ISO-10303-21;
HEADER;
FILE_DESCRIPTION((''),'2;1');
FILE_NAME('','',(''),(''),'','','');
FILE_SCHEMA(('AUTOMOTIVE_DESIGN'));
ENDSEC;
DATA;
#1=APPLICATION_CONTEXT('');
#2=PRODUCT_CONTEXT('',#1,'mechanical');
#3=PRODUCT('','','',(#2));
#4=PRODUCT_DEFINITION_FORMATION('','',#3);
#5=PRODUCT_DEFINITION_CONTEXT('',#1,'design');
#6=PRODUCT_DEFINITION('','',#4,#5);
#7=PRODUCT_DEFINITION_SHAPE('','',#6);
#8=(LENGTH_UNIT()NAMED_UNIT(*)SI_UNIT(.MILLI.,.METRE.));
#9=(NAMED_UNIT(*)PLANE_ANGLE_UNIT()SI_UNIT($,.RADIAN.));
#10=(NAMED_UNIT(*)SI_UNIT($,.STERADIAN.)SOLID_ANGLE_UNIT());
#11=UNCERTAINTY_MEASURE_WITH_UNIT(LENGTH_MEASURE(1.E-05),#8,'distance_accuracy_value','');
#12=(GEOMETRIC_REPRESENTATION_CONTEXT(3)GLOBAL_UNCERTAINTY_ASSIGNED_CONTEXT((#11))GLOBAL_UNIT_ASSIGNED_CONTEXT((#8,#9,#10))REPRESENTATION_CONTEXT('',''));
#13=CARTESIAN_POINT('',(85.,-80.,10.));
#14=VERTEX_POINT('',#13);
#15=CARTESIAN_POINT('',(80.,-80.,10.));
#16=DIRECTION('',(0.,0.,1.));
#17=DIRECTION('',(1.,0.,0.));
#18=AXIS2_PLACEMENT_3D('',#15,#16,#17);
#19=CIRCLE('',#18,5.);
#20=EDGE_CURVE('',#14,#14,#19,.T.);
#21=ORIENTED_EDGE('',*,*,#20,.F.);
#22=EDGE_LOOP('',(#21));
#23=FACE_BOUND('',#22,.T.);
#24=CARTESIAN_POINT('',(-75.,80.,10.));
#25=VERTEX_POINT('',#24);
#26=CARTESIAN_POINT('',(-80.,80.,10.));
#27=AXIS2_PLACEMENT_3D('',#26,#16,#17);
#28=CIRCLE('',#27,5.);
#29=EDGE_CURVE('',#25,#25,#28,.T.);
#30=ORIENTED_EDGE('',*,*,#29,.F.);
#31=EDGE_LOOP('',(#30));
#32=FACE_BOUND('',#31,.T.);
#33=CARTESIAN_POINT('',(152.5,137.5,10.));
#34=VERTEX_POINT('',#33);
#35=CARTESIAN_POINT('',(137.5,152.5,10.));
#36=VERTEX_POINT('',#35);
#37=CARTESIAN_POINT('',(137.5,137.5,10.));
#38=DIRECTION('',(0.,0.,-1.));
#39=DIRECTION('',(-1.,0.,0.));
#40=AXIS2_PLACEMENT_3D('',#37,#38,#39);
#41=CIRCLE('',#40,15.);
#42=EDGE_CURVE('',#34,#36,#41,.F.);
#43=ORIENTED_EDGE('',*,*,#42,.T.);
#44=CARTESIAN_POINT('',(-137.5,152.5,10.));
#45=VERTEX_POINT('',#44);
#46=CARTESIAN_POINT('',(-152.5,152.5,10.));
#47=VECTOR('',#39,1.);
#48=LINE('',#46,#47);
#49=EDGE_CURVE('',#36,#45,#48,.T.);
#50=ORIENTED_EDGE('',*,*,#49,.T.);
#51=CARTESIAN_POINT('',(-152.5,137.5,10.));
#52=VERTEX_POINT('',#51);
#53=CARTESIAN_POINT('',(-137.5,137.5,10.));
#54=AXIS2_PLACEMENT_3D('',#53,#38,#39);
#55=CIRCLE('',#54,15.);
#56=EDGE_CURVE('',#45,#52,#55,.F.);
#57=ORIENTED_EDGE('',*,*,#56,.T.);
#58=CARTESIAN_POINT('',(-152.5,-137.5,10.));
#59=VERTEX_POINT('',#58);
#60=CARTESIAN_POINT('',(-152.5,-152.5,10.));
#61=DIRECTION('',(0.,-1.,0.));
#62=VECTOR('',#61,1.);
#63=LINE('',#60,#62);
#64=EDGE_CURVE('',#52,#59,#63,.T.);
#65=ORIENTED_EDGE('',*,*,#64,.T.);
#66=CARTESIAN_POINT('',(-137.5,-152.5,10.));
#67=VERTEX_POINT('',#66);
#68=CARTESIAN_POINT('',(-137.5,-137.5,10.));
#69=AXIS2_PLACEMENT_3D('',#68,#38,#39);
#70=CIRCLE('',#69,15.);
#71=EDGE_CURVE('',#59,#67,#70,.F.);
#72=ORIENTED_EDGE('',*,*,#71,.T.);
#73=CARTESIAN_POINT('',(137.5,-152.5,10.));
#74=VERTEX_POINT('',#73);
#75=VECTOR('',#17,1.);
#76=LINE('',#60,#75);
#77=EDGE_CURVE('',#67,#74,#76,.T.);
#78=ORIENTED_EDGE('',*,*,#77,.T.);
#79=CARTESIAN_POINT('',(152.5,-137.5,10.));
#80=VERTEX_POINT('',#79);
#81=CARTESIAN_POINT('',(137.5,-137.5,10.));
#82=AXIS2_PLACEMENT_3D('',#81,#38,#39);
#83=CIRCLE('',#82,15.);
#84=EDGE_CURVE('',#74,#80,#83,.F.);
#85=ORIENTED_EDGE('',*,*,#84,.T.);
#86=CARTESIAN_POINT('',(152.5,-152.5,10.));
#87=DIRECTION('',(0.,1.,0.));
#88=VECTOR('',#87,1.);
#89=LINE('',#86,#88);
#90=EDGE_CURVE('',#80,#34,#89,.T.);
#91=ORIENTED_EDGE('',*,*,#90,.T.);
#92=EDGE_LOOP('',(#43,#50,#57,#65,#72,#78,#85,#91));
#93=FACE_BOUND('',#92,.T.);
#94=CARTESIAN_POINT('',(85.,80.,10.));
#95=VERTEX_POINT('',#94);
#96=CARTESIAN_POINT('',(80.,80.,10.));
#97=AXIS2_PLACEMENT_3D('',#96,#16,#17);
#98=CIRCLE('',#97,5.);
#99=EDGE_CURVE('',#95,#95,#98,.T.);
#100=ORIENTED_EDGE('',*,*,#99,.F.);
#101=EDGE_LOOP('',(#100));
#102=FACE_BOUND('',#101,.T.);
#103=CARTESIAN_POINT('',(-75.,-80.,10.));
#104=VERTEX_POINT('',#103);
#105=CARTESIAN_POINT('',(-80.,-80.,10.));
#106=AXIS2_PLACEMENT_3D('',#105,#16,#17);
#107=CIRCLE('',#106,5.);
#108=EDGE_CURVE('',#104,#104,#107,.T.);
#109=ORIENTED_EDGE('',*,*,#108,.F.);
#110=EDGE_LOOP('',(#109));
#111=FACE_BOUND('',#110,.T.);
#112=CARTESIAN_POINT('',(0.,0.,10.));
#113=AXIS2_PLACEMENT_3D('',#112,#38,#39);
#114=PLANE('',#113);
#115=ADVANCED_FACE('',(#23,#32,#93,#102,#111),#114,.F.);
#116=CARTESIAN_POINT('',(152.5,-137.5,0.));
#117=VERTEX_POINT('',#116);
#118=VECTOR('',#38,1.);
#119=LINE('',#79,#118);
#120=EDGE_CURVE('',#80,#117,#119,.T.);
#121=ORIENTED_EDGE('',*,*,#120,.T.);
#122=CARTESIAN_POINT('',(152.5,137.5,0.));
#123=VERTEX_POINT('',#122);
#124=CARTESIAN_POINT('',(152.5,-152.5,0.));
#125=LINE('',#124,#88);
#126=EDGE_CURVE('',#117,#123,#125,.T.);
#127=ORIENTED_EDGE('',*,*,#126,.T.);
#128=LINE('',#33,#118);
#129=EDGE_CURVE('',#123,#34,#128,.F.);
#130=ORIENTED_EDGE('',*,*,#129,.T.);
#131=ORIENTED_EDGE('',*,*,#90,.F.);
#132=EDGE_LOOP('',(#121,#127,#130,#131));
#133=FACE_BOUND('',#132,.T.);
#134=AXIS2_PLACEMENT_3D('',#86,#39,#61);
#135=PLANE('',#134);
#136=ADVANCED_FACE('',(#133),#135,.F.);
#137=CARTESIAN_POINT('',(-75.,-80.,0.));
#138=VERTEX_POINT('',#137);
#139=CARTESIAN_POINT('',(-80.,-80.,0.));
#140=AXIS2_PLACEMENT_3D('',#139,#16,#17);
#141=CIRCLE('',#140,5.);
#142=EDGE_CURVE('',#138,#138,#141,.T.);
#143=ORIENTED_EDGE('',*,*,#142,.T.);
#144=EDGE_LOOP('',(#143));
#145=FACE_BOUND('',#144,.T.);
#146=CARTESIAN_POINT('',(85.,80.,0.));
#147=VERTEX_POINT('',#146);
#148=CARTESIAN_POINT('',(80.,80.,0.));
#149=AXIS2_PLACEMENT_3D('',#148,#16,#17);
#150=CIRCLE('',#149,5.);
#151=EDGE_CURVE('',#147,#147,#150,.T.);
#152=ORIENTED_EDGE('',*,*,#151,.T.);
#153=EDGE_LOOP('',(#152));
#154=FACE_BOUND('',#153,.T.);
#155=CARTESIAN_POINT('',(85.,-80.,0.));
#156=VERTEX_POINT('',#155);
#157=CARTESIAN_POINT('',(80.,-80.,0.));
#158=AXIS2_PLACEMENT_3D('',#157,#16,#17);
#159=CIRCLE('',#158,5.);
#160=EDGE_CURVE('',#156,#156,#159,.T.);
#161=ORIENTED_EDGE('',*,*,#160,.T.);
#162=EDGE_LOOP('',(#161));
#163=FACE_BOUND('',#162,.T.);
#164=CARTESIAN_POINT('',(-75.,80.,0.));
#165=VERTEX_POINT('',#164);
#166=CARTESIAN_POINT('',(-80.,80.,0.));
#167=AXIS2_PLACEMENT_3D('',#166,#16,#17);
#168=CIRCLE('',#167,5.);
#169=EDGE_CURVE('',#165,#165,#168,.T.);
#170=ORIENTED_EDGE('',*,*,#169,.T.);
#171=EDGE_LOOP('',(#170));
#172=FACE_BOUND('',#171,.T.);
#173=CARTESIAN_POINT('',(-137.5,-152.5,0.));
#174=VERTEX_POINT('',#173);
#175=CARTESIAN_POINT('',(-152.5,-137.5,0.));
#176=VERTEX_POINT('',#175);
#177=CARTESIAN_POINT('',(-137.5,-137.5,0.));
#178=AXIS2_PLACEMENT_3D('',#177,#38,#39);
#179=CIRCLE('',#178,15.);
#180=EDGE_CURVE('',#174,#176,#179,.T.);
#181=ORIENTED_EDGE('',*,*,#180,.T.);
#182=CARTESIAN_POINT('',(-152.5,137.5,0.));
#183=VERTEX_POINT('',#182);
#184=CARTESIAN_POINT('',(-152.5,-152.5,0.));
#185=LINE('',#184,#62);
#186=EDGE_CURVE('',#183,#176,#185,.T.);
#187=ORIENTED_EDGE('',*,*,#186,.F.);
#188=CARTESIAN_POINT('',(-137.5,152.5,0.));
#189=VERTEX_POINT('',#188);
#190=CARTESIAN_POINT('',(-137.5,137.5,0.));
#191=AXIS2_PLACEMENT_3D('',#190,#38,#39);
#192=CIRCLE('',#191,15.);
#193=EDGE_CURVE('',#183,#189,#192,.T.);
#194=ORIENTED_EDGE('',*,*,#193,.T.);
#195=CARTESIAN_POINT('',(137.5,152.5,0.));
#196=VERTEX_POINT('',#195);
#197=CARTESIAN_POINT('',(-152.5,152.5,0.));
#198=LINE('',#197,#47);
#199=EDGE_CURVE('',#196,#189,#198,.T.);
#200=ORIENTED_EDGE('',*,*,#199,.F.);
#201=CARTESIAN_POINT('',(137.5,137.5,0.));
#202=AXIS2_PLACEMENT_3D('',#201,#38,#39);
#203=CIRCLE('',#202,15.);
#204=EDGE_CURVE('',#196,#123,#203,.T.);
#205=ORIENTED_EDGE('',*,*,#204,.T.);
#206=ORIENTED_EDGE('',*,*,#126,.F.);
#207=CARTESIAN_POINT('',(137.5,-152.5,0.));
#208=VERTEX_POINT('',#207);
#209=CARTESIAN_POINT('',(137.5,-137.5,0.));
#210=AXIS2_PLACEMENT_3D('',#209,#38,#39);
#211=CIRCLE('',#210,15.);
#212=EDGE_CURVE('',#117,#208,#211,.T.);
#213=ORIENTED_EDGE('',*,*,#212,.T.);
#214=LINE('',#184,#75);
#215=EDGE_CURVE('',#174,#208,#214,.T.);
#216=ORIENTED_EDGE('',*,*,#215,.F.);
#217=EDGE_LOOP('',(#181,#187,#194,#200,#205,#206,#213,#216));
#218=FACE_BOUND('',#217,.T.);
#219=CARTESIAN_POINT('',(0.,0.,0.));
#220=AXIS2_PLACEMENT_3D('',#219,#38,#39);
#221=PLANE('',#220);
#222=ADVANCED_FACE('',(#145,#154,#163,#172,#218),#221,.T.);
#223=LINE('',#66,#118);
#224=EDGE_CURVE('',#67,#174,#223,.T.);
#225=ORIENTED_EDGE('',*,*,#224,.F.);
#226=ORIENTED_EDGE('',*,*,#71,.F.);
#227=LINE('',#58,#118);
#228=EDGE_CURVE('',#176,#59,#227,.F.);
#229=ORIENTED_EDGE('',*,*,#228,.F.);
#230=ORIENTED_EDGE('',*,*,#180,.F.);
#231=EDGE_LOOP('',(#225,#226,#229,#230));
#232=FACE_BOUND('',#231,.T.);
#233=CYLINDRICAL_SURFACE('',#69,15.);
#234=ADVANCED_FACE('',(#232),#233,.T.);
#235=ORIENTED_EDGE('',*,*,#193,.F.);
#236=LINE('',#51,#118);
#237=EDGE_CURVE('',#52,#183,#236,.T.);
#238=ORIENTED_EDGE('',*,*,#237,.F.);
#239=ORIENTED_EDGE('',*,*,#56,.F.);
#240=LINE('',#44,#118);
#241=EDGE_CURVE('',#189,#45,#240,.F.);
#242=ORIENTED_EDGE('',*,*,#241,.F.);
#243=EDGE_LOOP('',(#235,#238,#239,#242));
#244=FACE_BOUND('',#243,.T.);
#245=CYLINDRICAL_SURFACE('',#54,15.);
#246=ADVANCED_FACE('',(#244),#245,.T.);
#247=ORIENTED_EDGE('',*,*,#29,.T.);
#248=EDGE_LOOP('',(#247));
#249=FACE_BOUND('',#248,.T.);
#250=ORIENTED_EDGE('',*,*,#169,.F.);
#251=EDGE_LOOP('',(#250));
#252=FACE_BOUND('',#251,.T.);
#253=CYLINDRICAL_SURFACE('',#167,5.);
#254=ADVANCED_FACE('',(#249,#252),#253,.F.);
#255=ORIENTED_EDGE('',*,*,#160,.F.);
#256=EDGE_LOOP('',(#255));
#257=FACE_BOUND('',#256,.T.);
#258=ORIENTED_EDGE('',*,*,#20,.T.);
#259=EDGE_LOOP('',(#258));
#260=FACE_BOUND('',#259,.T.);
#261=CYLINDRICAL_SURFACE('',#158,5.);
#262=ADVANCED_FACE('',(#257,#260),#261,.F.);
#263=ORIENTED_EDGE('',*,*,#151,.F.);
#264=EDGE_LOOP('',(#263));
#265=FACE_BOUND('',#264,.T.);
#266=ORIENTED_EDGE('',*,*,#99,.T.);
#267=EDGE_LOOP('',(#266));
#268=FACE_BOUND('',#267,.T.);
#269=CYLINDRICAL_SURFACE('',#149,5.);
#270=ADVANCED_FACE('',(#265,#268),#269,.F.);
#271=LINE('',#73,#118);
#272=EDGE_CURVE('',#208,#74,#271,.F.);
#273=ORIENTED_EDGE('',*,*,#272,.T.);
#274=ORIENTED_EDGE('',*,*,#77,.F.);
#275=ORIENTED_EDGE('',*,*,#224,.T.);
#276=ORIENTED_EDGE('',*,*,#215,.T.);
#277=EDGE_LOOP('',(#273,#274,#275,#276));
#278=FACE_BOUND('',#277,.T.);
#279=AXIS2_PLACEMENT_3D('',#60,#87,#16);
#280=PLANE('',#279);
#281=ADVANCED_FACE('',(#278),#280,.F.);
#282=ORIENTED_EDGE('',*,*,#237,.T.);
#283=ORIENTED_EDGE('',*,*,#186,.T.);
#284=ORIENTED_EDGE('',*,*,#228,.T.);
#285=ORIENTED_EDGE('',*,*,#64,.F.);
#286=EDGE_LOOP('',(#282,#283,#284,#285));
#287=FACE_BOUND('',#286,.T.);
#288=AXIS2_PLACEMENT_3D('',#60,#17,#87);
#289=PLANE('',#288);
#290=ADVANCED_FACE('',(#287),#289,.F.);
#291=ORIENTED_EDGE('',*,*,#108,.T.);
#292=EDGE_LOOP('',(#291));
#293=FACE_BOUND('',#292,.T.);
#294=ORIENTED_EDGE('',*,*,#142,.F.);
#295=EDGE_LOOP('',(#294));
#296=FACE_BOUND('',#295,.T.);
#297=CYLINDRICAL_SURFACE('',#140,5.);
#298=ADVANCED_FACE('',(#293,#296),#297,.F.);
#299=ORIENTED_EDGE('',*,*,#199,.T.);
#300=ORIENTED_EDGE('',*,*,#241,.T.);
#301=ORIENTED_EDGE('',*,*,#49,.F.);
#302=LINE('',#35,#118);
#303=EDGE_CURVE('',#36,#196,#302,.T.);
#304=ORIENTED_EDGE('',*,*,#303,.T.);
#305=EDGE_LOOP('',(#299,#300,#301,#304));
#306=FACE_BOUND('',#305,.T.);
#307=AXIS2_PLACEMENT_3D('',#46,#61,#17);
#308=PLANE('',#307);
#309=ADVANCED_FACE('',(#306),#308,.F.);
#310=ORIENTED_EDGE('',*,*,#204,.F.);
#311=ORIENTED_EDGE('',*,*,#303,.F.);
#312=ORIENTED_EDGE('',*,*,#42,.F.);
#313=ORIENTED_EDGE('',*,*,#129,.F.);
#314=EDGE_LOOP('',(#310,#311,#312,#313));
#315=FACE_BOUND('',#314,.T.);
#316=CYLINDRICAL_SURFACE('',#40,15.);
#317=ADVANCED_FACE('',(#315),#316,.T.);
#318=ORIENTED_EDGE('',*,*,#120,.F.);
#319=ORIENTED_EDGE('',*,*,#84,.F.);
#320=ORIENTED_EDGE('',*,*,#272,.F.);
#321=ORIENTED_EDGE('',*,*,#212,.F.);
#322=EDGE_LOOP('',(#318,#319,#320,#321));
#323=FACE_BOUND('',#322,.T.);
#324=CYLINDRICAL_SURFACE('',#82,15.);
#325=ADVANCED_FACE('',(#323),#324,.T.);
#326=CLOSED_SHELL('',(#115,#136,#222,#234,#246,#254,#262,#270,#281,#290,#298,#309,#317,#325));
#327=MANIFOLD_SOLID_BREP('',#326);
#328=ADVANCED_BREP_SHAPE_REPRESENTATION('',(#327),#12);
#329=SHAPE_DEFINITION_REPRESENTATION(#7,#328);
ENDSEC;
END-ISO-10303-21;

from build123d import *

# Parameters (mm, degrees)
ESQUISSE1_W              = 305
ESQUISSE1_H              = 305
BOSS_EXTRU_1_DEPTH       = 10
CONG_2_R                 = 15
ESQUISSE3_R              = 5
ENL_V_MAT_EXTRU_11_DEPTH = 10


with BuildPart() as part:
    # Esquisse1 → Boss.-Extru.1 (new body)
    with BuildSketch(Plane.XY):
        Rectangle(ESQUISSE1_W, ESQUISSE1_H)
    extrude(amount=BOSS_EXTRU_1_DEPTH)

    # Congé2
    cong_2_edges = [part.edges().sort_by_distance(p)[0] for p in [
        (-152.5, 152.5, 5),
        (152.5, 152.5, 5),
        (152.5, -152.5, 5),
        (-152.5, -152.5, 5),
    ]]
    fillet(cong_2_edges, radius=CONG_2_R)

    # Esquisse3 → Enlèv. mat.-Extru.11 (cut)
    with BuildSketch(Plane.XY.offset(10)):
        with Locations((80, 80)):
            Circle(ESQUISSE3_R)
        with Locations((80, -80)):
            Circle(ESQUISSE3_R)
        with Locations((-80, -80)):
            Circle(ESQUISSE3_R)
        with Locations((-80, 80)):
            Circle(ESQUISSE3_R)
    extrude(amount=-ENL_V_MAT_EXTRU_11_DEPTH, mode=Mode.SUBTRACT)


solid = part.part
